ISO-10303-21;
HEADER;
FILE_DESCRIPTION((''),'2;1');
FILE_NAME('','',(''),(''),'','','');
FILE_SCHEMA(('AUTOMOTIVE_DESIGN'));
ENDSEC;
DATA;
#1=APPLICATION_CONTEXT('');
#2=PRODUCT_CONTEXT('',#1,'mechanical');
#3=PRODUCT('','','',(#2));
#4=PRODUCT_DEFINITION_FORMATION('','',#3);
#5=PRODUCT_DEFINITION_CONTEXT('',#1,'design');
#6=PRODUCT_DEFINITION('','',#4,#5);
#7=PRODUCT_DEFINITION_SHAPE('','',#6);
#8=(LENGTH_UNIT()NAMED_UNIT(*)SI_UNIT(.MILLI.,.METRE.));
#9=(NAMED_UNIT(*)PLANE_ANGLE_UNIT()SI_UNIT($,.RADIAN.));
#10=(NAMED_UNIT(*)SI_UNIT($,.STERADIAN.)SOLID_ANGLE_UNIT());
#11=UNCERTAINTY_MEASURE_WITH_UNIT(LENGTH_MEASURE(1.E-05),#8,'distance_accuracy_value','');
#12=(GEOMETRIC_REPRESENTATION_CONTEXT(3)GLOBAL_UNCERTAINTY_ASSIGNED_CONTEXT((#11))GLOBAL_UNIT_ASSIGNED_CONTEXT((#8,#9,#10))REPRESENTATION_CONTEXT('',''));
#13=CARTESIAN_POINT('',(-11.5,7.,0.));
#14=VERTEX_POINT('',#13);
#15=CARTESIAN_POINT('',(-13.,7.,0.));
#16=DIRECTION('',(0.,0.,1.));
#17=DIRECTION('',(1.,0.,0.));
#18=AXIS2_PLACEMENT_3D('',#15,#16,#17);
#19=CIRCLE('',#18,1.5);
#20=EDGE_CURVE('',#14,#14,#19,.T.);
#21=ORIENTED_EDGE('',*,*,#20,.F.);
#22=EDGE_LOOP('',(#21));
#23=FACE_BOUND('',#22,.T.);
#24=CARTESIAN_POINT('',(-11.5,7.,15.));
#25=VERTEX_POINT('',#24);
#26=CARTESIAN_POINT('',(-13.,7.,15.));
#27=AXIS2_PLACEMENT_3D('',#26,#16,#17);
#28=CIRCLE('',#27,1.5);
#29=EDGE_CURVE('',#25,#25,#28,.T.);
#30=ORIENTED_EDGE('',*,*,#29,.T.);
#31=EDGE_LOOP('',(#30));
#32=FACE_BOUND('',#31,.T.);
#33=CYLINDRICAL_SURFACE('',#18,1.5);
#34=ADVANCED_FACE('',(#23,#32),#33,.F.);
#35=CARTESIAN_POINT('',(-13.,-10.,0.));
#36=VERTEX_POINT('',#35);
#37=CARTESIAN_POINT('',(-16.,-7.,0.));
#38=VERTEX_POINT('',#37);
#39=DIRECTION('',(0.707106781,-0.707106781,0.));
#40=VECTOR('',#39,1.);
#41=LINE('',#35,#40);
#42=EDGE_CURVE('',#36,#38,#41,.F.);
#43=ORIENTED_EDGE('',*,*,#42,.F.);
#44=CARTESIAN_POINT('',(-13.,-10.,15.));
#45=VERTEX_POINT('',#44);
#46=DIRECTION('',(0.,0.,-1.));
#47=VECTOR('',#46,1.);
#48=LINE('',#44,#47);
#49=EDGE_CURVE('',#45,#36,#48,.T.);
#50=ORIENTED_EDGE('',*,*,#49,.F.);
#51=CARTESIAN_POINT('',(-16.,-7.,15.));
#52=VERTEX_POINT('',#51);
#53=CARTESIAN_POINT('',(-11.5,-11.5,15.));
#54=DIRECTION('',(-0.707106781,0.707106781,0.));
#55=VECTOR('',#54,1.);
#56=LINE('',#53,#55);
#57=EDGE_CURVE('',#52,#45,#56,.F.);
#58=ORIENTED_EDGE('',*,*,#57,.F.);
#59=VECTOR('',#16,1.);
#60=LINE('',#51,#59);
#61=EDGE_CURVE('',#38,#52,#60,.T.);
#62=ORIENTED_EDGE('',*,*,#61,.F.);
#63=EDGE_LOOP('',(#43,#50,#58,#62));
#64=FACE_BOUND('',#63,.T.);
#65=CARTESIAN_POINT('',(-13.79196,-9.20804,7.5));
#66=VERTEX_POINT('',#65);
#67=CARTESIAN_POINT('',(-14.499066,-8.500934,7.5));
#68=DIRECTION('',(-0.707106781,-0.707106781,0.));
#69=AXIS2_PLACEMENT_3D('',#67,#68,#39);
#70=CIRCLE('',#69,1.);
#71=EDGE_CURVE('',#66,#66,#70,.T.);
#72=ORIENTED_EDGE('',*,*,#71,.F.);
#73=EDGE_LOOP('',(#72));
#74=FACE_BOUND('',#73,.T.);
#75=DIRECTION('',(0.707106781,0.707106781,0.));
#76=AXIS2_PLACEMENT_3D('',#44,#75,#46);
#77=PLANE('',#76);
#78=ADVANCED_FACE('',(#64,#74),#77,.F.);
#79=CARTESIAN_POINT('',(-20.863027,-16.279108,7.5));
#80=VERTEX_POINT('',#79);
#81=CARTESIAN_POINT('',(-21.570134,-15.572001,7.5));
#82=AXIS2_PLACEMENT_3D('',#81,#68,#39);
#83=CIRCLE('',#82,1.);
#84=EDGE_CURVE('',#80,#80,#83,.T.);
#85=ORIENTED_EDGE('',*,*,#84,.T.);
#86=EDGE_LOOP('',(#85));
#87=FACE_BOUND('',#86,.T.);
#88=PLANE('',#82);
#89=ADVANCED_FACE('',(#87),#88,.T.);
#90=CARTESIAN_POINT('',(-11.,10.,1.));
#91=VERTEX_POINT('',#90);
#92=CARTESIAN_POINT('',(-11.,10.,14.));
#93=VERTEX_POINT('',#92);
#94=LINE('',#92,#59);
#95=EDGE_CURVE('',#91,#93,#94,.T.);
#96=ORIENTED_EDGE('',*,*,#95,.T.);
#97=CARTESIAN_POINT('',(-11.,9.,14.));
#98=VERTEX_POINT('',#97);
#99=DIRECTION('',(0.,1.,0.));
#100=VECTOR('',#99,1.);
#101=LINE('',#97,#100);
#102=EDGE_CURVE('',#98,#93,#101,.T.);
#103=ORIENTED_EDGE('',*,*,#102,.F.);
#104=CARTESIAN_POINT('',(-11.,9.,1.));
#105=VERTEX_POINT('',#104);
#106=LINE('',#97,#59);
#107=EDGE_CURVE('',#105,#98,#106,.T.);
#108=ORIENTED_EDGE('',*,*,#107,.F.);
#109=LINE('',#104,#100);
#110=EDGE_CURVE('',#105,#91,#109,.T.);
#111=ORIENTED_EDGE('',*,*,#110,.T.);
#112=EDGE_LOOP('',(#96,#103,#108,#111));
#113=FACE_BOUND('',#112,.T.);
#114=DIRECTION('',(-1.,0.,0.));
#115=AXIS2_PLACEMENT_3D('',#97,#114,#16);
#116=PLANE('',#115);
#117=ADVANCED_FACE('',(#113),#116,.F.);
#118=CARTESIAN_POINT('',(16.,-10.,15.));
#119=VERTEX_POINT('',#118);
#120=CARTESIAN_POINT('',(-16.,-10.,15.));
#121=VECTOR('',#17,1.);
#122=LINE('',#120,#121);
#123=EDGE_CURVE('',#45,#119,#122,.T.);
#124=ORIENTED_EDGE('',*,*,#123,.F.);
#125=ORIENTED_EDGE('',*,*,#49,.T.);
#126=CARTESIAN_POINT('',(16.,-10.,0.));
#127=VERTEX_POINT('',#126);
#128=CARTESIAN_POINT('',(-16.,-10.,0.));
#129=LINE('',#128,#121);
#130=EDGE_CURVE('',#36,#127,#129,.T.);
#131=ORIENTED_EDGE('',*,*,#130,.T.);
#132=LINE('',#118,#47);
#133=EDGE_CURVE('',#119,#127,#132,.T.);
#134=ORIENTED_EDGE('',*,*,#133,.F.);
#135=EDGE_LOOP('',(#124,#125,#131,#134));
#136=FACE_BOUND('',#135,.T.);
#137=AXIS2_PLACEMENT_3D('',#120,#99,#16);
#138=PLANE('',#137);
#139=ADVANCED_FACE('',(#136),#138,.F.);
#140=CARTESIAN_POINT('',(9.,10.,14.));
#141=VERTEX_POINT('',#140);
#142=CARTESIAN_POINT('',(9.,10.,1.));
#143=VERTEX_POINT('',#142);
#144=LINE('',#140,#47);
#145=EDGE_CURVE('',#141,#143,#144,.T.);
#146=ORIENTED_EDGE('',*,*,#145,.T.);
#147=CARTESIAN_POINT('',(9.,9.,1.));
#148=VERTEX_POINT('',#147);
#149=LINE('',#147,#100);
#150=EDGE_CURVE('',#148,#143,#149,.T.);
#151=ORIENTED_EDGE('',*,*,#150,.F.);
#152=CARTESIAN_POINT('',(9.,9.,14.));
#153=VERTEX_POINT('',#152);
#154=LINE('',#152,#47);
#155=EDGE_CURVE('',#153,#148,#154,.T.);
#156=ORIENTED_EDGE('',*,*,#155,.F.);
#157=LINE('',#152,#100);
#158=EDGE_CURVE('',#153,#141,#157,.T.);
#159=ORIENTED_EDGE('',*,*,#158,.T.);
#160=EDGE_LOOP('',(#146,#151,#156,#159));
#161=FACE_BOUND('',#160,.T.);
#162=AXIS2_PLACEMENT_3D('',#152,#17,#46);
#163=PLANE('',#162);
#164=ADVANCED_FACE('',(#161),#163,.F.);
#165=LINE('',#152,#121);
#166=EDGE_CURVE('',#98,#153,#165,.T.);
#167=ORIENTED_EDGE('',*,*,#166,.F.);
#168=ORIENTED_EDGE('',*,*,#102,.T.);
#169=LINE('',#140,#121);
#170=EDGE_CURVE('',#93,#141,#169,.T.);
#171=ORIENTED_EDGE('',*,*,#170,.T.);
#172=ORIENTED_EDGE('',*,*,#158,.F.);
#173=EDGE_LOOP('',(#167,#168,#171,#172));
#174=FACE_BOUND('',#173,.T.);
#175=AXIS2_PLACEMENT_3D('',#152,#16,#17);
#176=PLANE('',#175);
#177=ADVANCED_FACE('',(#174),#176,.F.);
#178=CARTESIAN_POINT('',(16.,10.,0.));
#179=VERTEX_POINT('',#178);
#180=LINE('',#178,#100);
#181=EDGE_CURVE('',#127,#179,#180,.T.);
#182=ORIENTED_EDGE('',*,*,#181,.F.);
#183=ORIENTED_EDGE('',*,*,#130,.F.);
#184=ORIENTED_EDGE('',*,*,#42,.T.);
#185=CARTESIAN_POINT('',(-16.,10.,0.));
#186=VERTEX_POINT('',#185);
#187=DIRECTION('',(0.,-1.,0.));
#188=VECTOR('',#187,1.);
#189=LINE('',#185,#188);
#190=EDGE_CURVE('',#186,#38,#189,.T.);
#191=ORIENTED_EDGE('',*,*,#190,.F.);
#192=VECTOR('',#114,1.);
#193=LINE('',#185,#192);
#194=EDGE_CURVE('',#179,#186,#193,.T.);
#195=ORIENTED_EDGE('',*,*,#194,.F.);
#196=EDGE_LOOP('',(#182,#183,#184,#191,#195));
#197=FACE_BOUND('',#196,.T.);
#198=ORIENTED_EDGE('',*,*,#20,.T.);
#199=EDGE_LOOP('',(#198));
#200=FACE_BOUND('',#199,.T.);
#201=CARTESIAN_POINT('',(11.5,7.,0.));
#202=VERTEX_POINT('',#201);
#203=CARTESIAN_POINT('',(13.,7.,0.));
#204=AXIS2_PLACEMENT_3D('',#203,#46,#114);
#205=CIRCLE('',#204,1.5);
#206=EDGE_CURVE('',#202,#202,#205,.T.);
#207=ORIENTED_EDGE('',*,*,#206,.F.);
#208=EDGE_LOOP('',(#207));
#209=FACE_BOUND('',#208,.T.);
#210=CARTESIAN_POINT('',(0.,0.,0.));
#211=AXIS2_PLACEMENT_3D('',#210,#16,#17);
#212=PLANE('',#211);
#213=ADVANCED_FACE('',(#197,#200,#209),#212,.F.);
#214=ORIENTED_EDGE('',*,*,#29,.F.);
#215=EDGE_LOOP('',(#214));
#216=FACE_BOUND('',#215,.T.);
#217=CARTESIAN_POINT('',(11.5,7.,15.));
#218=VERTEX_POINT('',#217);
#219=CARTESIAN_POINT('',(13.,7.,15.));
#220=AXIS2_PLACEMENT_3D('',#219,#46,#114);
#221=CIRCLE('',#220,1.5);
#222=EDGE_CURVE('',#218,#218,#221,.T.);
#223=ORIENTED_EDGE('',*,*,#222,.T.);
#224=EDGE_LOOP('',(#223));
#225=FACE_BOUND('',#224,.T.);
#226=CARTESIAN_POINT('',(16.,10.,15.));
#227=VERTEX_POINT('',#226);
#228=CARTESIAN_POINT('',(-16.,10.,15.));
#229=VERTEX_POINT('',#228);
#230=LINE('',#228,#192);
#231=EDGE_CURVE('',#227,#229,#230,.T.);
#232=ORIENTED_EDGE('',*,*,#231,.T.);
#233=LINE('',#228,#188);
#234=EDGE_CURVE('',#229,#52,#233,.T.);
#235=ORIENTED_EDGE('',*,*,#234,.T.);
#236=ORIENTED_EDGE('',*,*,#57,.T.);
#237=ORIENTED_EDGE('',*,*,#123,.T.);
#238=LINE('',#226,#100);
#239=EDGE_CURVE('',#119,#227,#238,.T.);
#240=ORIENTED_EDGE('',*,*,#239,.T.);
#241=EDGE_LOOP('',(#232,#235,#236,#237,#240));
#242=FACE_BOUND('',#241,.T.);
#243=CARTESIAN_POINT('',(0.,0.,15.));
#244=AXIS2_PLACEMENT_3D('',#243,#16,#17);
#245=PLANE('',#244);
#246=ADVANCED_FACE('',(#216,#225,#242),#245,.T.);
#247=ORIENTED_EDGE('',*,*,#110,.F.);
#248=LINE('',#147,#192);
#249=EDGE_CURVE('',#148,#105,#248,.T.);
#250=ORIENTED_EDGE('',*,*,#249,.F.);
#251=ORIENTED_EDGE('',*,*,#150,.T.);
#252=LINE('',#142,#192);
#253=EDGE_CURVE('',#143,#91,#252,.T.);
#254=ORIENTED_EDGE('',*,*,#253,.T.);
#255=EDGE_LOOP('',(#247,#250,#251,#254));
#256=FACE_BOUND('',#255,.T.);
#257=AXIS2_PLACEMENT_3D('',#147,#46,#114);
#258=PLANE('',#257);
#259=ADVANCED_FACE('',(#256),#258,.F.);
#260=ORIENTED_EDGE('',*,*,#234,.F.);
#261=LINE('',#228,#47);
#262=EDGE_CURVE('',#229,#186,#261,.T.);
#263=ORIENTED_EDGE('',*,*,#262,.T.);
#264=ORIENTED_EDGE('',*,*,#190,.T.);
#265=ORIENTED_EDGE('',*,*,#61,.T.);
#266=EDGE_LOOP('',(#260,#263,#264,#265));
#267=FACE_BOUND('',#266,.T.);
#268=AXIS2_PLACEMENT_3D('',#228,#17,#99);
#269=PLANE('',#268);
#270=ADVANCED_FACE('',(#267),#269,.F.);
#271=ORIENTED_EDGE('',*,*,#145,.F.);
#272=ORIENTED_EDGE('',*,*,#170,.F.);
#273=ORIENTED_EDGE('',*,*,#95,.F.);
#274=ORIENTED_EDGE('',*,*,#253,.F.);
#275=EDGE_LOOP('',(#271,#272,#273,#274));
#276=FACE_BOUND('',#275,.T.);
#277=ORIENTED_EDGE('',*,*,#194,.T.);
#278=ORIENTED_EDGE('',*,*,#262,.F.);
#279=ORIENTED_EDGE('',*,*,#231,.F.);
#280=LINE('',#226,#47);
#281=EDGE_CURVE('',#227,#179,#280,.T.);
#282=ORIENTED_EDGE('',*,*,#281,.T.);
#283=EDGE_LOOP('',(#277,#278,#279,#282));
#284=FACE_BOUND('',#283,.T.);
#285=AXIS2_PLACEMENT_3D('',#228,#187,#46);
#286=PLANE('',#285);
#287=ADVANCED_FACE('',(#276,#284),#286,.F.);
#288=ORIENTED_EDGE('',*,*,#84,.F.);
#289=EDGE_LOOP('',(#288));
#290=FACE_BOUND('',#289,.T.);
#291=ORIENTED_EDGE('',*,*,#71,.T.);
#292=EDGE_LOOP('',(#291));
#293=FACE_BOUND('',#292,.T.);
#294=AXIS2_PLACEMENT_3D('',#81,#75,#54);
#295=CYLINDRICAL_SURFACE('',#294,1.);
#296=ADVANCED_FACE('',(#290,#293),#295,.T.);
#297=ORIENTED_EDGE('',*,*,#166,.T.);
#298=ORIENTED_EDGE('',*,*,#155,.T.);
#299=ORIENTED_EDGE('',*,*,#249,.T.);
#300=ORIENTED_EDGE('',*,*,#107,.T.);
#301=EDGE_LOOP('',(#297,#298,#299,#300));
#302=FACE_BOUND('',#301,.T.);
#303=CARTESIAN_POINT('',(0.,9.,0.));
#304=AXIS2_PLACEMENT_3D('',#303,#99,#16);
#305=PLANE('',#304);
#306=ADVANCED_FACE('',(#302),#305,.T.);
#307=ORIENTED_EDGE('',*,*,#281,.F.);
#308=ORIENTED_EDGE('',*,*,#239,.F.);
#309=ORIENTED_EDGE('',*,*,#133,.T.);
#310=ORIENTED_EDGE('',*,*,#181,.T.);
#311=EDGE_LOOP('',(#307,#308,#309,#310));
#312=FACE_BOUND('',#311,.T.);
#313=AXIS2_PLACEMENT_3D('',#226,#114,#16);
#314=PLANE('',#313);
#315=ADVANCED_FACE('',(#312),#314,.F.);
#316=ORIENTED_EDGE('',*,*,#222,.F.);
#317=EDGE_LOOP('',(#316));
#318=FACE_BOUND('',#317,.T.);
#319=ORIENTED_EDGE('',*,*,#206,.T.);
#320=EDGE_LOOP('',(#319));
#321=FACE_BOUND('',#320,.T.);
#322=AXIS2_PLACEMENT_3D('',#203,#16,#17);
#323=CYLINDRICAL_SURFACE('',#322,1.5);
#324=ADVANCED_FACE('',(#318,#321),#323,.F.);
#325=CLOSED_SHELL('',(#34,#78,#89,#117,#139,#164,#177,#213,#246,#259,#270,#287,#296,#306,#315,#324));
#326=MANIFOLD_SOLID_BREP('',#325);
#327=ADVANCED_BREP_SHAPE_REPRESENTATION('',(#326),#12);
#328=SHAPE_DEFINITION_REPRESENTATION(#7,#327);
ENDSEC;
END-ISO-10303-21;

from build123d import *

# Parameters (mm, degrees)
ESQUISSE2_W             = 32
ESQUISSE2_H             = 20
BOSS_EXTRU_1_DEPTH      = 15
ESQUISSE3_R             = 1.5
ENL_V_MAT_EXTRU_1_DEPTH = 15
CHANFREIN1_SIZE         = 3
ESQUISSE5_R             = 1
BOSS_EXTRU_2_DEPTH      = 10
ESQUISSE6_W             = 20
ESQUISSE6_H             = 13
ENL_V_MAT_EXTRU_2_DEPTH = 1


with BuildPart() as part:
    # Esquisse2 → Boss.-Extru.1 (new body)
    with BuildSketch(Plane.XY):
        Rectangle(ESQUISSE2_W, ESQUISSE2_H)
    extrude(amount=BOSS_EXTRU_1_DEPTH)

    # Esquisse3 → Enlèv. mat.-Extru.1 (cut)
    with BuildSketch(Plane.XY.offset(15)):
        with Locations((-13, 7)):
            Circle(ESQUISSE3_R)
    enl_v_mat_extru_1 = extrude(amount=-ENL_V_MAT_EXTRU_1_DEPTH, mode=Mode.SUBTRACT)

    # Symétrie1: Enlèv. mat.-Extru.1 across plane
    add(enl_v_mat_extru_1.mirror(Plane(origin=(0, 0, 0), x_dir=(0, 0, 1), z_dir=(1, 0, 0))), mode=Mode.SUBTRACT)

    # Chanfrein1
    chanfrein1_edges = [part.edges().sort_by_distance(p)[0] for p in [
        (-16, -10, 7.5),
    ]]
    chamfer(chanfrein1_edges, length=CHANFREIN1_SIZE)

    # Esquisse5 → Boss.-Extru.2 (add)
    with BuildSketch(Plane(origin=(-11.5, -11.5, 0), x_dir=(0, 0, 1), z_dir=(-0.707106781, -0.707106781, 0))):
        with Locations((7.5, 4.241320344)):
            Circle(ESQUISSE5_R)
    extrude(amount=BOSS_EXTRU_2_DEPTH)

    # Esquisse6 → Enlèv. mat.-Extru.2 (cut)
    with BuildSketch(Plane(origin=(0, 10, 0), x_dir=(1, 0, 0), z_dir=(0, 1, 0))):
        with Locations((-1, -7.5)):
            Rectangle(ESQUISSE6_W, ESQUISSE6_H)
    extrude(amount=-ENL_V_MAT_EXTRU_2_DEPTH, mode=Mode.SUBTRACT)


solid = part.part
